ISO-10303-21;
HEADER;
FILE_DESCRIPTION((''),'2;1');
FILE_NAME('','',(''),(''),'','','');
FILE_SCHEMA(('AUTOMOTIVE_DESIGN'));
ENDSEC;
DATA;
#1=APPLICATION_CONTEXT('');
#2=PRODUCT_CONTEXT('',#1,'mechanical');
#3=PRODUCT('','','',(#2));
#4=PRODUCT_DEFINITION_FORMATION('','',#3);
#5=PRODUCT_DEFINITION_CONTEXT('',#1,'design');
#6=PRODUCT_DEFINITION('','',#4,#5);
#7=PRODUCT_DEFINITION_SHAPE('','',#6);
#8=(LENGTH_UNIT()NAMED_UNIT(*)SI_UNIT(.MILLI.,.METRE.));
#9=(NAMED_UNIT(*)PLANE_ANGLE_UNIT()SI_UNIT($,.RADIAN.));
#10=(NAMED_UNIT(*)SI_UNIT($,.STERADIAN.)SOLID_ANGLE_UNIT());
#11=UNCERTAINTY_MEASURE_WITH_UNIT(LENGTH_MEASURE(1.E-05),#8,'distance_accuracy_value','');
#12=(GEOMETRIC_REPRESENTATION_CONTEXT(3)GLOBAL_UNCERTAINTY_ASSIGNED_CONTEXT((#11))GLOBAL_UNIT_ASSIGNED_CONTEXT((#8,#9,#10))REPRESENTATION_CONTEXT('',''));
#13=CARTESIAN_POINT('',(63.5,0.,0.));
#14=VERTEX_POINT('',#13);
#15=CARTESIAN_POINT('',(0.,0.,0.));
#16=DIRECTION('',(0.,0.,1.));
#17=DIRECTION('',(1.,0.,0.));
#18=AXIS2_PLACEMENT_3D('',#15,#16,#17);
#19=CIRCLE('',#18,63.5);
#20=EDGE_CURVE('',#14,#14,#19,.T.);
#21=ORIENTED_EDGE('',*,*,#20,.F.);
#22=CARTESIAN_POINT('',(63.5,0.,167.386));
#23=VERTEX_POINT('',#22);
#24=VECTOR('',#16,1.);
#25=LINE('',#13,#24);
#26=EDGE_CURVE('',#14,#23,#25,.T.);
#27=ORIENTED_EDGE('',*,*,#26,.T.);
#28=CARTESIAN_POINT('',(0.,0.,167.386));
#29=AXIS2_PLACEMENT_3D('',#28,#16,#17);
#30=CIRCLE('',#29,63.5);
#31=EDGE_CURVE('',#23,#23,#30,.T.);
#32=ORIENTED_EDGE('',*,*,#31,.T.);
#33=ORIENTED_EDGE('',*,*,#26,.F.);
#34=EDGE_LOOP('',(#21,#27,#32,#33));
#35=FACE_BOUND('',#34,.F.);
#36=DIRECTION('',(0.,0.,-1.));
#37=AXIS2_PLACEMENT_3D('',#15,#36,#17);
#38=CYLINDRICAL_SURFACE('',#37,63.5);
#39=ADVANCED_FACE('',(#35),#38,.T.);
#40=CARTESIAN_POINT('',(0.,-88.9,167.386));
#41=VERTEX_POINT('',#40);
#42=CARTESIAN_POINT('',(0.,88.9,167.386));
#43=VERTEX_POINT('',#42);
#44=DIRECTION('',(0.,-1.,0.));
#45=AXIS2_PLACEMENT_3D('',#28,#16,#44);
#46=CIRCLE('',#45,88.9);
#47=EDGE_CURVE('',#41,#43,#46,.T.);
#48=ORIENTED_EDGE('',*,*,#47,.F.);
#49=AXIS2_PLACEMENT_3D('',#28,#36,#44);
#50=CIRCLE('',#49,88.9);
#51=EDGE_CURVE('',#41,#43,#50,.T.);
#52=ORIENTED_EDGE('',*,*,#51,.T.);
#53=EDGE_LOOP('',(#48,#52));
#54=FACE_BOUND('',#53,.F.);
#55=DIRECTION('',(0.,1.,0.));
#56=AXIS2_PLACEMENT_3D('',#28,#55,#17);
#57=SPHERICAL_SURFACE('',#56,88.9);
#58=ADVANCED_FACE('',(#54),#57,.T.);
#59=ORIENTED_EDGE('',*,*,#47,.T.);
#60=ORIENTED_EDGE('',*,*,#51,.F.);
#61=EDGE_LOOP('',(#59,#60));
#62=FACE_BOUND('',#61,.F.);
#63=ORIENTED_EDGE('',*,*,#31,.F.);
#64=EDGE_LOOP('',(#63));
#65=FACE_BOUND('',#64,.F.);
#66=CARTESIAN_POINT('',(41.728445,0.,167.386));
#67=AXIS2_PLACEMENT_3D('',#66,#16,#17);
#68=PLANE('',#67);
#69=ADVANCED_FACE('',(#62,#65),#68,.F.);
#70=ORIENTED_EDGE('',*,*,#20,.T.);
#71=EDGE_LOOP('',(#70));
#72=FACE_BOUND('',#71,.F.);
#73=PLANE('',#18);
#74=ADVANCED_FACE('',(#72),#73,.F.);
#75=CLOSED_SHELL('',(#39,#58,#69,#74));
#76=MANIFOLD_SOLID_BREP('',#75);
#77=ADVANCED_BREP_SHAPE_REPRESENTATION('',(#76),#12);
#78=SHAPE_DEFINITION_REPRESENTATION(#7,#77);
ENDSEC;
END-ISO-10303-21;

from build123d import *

# Parameters (mm, degrees)
F0_R     = 63.5
F1_DEPTH = 167.386
F3_ANGLE = 180


with BuildPart() as f1:
    # F0 (on Top) → F1 (new body)
    with BuildSketch(Plane.XY):
        Circle(F0_R)
    extrude(amount=F1_DEPTH)

    # F2 (on face) → F3 (revolve)
    with BuildSketch(Plane.XY.offset(167.386)):
        with BuildLine():
            ThreePointArc((0, -88.9), (88.9, 0), (0, 88.9))
            Line((0, 88.9), (0, 63.5))
            ThreePointArc((0, 63.5), (44.9012806053, 44.9012806053), (63.5, 0))
            ThreePointArc((63.5, 0), (44.9012806053, -44.9012806053), (0, -63.5))
            Line((0, -63.5), (0, -88.9))
        make_face()
        with BuildLine():
            ThreePointArc((63.5, 0), (44.9012806053, 44.9012806053), (0, 63.5))
            Line((0, 63.5), (0, -63.5))
            ThreePointArc((0, -63.5), (44.9012806053, -44.9012806053), (63.5, 0))
        make_face()
    revolve(axis=Axis((0, 0, 167.386), (0, -1, 0)), revolution_arc=F3_ANGLE)


solid = f1.part
